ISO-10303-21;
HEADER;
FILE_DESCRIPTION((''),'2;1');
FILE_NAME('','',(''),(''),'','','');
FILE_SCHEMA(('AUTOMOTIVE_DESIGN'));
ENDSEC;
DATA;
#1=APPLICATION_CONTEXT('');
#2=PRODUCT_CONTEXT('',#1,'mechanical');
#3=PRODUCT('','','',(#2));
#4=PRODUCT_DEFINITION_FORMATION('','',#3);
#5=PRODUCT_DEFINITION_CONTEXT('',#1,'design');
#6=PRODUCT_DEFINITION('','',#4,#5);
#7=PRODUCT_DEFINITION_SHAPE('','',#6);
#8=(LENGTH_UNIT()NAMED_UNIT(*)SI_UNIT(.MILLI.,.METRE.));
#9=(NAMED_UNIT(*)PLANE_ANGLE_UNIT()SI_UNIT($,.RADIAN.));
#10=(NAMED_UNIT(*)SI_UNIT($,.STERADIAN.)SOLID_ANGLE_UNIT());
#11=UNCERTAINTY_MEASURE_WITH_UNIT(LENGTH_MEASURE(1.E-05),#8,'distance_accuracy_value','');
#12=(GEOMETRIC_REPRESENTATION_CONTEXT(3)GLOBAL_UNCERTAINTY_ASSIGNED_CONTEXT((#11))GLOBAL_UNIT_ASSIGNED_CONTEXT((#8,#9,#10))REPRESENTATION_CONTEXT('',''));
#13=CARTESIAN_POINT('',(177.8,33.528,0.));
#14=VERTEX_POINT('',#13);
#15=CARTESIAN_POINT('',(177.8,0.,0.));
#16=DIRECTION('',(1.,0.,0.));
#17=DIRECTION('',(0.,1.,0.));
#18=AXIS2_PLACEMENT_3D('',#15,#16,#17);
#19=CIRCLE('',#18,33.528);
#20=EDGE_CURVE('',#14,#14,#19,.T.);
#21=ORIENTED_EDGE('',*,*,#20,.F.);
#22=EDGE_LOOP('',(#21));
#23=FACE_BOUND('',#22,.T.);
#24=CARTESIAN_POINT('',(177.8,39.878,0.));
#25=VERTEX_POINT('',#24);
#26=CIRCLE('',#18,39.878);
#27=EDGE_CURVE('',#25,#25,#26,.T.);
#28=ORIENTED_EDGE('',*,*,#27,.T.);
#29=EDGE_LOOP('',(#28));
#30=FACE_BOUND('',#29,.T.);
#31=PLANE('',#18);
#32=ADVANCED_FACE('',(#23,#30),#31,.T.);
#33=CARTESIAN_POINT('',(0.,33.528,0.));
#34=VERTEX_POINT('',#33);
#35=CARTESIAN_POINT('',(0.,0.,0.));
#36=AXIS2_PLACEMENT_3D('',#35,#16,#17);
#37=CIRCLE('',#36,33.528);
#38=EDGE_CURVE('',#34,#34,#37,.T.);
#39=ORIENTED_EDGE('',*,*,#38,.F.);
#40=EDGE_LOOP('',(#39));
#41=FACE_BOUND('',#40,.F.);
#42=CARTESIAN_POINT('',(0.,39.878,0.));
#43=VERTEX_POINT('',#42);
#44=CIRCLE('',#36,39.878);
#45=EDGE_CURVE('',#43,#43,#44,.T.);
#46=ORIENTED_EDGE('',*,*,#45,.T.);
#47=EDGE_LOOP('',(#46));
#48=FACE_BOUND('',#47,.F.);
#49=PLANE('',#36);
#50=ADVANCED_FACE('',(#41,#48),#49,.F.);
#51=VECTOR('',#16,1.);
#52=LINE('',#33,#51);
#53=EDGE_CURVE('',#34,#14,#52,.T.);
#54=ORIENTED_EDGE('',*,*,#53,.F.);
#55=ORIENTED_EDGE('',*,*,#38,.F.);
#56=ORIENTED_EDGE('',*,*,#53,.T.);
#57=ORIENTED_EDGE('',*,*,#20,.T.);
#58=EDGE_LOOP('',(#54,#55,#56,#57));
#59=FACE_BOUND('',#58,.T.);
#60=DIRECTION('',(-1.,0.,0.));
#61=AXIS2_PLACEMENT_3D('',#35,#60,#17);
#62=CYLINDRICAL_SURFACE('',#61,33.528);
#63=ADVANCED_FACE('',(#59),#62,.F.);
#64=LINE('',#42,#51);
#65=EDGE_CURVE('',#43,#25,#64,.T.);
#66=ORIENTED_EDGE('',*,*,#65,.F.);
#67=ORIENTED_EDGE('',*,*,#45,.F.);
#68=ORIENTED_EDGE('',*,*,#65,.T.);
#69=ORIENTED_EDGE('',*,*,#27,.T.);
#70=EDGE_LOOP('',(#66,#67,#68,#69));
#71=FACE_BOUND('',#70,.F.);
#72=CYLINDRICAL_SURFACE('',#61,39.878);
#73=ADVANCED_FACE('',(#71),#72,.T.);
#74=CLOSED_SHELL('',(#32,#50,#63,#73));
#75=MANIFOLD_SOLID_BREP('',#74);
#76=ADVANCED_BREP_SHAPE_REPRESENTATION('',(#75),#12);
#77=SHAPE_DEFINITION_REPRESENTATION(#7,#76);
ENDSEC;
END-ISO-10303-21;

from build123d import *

# Parameters (mm, degrees)
F0_R     = 39.878
F0_R_2   = 33.528
F1_DEPTH = 177.8


with BuildPart() as f1:
    # F0 (on Right) → F1 (new body)
    with BuildSketch(Plane.YZ):
        Circle(F0_R)
        Circle(F0_R_2, mode=Mode.SUBTRACT)
    extrude(amount=F1_DEPTH)


solid = f1.part
